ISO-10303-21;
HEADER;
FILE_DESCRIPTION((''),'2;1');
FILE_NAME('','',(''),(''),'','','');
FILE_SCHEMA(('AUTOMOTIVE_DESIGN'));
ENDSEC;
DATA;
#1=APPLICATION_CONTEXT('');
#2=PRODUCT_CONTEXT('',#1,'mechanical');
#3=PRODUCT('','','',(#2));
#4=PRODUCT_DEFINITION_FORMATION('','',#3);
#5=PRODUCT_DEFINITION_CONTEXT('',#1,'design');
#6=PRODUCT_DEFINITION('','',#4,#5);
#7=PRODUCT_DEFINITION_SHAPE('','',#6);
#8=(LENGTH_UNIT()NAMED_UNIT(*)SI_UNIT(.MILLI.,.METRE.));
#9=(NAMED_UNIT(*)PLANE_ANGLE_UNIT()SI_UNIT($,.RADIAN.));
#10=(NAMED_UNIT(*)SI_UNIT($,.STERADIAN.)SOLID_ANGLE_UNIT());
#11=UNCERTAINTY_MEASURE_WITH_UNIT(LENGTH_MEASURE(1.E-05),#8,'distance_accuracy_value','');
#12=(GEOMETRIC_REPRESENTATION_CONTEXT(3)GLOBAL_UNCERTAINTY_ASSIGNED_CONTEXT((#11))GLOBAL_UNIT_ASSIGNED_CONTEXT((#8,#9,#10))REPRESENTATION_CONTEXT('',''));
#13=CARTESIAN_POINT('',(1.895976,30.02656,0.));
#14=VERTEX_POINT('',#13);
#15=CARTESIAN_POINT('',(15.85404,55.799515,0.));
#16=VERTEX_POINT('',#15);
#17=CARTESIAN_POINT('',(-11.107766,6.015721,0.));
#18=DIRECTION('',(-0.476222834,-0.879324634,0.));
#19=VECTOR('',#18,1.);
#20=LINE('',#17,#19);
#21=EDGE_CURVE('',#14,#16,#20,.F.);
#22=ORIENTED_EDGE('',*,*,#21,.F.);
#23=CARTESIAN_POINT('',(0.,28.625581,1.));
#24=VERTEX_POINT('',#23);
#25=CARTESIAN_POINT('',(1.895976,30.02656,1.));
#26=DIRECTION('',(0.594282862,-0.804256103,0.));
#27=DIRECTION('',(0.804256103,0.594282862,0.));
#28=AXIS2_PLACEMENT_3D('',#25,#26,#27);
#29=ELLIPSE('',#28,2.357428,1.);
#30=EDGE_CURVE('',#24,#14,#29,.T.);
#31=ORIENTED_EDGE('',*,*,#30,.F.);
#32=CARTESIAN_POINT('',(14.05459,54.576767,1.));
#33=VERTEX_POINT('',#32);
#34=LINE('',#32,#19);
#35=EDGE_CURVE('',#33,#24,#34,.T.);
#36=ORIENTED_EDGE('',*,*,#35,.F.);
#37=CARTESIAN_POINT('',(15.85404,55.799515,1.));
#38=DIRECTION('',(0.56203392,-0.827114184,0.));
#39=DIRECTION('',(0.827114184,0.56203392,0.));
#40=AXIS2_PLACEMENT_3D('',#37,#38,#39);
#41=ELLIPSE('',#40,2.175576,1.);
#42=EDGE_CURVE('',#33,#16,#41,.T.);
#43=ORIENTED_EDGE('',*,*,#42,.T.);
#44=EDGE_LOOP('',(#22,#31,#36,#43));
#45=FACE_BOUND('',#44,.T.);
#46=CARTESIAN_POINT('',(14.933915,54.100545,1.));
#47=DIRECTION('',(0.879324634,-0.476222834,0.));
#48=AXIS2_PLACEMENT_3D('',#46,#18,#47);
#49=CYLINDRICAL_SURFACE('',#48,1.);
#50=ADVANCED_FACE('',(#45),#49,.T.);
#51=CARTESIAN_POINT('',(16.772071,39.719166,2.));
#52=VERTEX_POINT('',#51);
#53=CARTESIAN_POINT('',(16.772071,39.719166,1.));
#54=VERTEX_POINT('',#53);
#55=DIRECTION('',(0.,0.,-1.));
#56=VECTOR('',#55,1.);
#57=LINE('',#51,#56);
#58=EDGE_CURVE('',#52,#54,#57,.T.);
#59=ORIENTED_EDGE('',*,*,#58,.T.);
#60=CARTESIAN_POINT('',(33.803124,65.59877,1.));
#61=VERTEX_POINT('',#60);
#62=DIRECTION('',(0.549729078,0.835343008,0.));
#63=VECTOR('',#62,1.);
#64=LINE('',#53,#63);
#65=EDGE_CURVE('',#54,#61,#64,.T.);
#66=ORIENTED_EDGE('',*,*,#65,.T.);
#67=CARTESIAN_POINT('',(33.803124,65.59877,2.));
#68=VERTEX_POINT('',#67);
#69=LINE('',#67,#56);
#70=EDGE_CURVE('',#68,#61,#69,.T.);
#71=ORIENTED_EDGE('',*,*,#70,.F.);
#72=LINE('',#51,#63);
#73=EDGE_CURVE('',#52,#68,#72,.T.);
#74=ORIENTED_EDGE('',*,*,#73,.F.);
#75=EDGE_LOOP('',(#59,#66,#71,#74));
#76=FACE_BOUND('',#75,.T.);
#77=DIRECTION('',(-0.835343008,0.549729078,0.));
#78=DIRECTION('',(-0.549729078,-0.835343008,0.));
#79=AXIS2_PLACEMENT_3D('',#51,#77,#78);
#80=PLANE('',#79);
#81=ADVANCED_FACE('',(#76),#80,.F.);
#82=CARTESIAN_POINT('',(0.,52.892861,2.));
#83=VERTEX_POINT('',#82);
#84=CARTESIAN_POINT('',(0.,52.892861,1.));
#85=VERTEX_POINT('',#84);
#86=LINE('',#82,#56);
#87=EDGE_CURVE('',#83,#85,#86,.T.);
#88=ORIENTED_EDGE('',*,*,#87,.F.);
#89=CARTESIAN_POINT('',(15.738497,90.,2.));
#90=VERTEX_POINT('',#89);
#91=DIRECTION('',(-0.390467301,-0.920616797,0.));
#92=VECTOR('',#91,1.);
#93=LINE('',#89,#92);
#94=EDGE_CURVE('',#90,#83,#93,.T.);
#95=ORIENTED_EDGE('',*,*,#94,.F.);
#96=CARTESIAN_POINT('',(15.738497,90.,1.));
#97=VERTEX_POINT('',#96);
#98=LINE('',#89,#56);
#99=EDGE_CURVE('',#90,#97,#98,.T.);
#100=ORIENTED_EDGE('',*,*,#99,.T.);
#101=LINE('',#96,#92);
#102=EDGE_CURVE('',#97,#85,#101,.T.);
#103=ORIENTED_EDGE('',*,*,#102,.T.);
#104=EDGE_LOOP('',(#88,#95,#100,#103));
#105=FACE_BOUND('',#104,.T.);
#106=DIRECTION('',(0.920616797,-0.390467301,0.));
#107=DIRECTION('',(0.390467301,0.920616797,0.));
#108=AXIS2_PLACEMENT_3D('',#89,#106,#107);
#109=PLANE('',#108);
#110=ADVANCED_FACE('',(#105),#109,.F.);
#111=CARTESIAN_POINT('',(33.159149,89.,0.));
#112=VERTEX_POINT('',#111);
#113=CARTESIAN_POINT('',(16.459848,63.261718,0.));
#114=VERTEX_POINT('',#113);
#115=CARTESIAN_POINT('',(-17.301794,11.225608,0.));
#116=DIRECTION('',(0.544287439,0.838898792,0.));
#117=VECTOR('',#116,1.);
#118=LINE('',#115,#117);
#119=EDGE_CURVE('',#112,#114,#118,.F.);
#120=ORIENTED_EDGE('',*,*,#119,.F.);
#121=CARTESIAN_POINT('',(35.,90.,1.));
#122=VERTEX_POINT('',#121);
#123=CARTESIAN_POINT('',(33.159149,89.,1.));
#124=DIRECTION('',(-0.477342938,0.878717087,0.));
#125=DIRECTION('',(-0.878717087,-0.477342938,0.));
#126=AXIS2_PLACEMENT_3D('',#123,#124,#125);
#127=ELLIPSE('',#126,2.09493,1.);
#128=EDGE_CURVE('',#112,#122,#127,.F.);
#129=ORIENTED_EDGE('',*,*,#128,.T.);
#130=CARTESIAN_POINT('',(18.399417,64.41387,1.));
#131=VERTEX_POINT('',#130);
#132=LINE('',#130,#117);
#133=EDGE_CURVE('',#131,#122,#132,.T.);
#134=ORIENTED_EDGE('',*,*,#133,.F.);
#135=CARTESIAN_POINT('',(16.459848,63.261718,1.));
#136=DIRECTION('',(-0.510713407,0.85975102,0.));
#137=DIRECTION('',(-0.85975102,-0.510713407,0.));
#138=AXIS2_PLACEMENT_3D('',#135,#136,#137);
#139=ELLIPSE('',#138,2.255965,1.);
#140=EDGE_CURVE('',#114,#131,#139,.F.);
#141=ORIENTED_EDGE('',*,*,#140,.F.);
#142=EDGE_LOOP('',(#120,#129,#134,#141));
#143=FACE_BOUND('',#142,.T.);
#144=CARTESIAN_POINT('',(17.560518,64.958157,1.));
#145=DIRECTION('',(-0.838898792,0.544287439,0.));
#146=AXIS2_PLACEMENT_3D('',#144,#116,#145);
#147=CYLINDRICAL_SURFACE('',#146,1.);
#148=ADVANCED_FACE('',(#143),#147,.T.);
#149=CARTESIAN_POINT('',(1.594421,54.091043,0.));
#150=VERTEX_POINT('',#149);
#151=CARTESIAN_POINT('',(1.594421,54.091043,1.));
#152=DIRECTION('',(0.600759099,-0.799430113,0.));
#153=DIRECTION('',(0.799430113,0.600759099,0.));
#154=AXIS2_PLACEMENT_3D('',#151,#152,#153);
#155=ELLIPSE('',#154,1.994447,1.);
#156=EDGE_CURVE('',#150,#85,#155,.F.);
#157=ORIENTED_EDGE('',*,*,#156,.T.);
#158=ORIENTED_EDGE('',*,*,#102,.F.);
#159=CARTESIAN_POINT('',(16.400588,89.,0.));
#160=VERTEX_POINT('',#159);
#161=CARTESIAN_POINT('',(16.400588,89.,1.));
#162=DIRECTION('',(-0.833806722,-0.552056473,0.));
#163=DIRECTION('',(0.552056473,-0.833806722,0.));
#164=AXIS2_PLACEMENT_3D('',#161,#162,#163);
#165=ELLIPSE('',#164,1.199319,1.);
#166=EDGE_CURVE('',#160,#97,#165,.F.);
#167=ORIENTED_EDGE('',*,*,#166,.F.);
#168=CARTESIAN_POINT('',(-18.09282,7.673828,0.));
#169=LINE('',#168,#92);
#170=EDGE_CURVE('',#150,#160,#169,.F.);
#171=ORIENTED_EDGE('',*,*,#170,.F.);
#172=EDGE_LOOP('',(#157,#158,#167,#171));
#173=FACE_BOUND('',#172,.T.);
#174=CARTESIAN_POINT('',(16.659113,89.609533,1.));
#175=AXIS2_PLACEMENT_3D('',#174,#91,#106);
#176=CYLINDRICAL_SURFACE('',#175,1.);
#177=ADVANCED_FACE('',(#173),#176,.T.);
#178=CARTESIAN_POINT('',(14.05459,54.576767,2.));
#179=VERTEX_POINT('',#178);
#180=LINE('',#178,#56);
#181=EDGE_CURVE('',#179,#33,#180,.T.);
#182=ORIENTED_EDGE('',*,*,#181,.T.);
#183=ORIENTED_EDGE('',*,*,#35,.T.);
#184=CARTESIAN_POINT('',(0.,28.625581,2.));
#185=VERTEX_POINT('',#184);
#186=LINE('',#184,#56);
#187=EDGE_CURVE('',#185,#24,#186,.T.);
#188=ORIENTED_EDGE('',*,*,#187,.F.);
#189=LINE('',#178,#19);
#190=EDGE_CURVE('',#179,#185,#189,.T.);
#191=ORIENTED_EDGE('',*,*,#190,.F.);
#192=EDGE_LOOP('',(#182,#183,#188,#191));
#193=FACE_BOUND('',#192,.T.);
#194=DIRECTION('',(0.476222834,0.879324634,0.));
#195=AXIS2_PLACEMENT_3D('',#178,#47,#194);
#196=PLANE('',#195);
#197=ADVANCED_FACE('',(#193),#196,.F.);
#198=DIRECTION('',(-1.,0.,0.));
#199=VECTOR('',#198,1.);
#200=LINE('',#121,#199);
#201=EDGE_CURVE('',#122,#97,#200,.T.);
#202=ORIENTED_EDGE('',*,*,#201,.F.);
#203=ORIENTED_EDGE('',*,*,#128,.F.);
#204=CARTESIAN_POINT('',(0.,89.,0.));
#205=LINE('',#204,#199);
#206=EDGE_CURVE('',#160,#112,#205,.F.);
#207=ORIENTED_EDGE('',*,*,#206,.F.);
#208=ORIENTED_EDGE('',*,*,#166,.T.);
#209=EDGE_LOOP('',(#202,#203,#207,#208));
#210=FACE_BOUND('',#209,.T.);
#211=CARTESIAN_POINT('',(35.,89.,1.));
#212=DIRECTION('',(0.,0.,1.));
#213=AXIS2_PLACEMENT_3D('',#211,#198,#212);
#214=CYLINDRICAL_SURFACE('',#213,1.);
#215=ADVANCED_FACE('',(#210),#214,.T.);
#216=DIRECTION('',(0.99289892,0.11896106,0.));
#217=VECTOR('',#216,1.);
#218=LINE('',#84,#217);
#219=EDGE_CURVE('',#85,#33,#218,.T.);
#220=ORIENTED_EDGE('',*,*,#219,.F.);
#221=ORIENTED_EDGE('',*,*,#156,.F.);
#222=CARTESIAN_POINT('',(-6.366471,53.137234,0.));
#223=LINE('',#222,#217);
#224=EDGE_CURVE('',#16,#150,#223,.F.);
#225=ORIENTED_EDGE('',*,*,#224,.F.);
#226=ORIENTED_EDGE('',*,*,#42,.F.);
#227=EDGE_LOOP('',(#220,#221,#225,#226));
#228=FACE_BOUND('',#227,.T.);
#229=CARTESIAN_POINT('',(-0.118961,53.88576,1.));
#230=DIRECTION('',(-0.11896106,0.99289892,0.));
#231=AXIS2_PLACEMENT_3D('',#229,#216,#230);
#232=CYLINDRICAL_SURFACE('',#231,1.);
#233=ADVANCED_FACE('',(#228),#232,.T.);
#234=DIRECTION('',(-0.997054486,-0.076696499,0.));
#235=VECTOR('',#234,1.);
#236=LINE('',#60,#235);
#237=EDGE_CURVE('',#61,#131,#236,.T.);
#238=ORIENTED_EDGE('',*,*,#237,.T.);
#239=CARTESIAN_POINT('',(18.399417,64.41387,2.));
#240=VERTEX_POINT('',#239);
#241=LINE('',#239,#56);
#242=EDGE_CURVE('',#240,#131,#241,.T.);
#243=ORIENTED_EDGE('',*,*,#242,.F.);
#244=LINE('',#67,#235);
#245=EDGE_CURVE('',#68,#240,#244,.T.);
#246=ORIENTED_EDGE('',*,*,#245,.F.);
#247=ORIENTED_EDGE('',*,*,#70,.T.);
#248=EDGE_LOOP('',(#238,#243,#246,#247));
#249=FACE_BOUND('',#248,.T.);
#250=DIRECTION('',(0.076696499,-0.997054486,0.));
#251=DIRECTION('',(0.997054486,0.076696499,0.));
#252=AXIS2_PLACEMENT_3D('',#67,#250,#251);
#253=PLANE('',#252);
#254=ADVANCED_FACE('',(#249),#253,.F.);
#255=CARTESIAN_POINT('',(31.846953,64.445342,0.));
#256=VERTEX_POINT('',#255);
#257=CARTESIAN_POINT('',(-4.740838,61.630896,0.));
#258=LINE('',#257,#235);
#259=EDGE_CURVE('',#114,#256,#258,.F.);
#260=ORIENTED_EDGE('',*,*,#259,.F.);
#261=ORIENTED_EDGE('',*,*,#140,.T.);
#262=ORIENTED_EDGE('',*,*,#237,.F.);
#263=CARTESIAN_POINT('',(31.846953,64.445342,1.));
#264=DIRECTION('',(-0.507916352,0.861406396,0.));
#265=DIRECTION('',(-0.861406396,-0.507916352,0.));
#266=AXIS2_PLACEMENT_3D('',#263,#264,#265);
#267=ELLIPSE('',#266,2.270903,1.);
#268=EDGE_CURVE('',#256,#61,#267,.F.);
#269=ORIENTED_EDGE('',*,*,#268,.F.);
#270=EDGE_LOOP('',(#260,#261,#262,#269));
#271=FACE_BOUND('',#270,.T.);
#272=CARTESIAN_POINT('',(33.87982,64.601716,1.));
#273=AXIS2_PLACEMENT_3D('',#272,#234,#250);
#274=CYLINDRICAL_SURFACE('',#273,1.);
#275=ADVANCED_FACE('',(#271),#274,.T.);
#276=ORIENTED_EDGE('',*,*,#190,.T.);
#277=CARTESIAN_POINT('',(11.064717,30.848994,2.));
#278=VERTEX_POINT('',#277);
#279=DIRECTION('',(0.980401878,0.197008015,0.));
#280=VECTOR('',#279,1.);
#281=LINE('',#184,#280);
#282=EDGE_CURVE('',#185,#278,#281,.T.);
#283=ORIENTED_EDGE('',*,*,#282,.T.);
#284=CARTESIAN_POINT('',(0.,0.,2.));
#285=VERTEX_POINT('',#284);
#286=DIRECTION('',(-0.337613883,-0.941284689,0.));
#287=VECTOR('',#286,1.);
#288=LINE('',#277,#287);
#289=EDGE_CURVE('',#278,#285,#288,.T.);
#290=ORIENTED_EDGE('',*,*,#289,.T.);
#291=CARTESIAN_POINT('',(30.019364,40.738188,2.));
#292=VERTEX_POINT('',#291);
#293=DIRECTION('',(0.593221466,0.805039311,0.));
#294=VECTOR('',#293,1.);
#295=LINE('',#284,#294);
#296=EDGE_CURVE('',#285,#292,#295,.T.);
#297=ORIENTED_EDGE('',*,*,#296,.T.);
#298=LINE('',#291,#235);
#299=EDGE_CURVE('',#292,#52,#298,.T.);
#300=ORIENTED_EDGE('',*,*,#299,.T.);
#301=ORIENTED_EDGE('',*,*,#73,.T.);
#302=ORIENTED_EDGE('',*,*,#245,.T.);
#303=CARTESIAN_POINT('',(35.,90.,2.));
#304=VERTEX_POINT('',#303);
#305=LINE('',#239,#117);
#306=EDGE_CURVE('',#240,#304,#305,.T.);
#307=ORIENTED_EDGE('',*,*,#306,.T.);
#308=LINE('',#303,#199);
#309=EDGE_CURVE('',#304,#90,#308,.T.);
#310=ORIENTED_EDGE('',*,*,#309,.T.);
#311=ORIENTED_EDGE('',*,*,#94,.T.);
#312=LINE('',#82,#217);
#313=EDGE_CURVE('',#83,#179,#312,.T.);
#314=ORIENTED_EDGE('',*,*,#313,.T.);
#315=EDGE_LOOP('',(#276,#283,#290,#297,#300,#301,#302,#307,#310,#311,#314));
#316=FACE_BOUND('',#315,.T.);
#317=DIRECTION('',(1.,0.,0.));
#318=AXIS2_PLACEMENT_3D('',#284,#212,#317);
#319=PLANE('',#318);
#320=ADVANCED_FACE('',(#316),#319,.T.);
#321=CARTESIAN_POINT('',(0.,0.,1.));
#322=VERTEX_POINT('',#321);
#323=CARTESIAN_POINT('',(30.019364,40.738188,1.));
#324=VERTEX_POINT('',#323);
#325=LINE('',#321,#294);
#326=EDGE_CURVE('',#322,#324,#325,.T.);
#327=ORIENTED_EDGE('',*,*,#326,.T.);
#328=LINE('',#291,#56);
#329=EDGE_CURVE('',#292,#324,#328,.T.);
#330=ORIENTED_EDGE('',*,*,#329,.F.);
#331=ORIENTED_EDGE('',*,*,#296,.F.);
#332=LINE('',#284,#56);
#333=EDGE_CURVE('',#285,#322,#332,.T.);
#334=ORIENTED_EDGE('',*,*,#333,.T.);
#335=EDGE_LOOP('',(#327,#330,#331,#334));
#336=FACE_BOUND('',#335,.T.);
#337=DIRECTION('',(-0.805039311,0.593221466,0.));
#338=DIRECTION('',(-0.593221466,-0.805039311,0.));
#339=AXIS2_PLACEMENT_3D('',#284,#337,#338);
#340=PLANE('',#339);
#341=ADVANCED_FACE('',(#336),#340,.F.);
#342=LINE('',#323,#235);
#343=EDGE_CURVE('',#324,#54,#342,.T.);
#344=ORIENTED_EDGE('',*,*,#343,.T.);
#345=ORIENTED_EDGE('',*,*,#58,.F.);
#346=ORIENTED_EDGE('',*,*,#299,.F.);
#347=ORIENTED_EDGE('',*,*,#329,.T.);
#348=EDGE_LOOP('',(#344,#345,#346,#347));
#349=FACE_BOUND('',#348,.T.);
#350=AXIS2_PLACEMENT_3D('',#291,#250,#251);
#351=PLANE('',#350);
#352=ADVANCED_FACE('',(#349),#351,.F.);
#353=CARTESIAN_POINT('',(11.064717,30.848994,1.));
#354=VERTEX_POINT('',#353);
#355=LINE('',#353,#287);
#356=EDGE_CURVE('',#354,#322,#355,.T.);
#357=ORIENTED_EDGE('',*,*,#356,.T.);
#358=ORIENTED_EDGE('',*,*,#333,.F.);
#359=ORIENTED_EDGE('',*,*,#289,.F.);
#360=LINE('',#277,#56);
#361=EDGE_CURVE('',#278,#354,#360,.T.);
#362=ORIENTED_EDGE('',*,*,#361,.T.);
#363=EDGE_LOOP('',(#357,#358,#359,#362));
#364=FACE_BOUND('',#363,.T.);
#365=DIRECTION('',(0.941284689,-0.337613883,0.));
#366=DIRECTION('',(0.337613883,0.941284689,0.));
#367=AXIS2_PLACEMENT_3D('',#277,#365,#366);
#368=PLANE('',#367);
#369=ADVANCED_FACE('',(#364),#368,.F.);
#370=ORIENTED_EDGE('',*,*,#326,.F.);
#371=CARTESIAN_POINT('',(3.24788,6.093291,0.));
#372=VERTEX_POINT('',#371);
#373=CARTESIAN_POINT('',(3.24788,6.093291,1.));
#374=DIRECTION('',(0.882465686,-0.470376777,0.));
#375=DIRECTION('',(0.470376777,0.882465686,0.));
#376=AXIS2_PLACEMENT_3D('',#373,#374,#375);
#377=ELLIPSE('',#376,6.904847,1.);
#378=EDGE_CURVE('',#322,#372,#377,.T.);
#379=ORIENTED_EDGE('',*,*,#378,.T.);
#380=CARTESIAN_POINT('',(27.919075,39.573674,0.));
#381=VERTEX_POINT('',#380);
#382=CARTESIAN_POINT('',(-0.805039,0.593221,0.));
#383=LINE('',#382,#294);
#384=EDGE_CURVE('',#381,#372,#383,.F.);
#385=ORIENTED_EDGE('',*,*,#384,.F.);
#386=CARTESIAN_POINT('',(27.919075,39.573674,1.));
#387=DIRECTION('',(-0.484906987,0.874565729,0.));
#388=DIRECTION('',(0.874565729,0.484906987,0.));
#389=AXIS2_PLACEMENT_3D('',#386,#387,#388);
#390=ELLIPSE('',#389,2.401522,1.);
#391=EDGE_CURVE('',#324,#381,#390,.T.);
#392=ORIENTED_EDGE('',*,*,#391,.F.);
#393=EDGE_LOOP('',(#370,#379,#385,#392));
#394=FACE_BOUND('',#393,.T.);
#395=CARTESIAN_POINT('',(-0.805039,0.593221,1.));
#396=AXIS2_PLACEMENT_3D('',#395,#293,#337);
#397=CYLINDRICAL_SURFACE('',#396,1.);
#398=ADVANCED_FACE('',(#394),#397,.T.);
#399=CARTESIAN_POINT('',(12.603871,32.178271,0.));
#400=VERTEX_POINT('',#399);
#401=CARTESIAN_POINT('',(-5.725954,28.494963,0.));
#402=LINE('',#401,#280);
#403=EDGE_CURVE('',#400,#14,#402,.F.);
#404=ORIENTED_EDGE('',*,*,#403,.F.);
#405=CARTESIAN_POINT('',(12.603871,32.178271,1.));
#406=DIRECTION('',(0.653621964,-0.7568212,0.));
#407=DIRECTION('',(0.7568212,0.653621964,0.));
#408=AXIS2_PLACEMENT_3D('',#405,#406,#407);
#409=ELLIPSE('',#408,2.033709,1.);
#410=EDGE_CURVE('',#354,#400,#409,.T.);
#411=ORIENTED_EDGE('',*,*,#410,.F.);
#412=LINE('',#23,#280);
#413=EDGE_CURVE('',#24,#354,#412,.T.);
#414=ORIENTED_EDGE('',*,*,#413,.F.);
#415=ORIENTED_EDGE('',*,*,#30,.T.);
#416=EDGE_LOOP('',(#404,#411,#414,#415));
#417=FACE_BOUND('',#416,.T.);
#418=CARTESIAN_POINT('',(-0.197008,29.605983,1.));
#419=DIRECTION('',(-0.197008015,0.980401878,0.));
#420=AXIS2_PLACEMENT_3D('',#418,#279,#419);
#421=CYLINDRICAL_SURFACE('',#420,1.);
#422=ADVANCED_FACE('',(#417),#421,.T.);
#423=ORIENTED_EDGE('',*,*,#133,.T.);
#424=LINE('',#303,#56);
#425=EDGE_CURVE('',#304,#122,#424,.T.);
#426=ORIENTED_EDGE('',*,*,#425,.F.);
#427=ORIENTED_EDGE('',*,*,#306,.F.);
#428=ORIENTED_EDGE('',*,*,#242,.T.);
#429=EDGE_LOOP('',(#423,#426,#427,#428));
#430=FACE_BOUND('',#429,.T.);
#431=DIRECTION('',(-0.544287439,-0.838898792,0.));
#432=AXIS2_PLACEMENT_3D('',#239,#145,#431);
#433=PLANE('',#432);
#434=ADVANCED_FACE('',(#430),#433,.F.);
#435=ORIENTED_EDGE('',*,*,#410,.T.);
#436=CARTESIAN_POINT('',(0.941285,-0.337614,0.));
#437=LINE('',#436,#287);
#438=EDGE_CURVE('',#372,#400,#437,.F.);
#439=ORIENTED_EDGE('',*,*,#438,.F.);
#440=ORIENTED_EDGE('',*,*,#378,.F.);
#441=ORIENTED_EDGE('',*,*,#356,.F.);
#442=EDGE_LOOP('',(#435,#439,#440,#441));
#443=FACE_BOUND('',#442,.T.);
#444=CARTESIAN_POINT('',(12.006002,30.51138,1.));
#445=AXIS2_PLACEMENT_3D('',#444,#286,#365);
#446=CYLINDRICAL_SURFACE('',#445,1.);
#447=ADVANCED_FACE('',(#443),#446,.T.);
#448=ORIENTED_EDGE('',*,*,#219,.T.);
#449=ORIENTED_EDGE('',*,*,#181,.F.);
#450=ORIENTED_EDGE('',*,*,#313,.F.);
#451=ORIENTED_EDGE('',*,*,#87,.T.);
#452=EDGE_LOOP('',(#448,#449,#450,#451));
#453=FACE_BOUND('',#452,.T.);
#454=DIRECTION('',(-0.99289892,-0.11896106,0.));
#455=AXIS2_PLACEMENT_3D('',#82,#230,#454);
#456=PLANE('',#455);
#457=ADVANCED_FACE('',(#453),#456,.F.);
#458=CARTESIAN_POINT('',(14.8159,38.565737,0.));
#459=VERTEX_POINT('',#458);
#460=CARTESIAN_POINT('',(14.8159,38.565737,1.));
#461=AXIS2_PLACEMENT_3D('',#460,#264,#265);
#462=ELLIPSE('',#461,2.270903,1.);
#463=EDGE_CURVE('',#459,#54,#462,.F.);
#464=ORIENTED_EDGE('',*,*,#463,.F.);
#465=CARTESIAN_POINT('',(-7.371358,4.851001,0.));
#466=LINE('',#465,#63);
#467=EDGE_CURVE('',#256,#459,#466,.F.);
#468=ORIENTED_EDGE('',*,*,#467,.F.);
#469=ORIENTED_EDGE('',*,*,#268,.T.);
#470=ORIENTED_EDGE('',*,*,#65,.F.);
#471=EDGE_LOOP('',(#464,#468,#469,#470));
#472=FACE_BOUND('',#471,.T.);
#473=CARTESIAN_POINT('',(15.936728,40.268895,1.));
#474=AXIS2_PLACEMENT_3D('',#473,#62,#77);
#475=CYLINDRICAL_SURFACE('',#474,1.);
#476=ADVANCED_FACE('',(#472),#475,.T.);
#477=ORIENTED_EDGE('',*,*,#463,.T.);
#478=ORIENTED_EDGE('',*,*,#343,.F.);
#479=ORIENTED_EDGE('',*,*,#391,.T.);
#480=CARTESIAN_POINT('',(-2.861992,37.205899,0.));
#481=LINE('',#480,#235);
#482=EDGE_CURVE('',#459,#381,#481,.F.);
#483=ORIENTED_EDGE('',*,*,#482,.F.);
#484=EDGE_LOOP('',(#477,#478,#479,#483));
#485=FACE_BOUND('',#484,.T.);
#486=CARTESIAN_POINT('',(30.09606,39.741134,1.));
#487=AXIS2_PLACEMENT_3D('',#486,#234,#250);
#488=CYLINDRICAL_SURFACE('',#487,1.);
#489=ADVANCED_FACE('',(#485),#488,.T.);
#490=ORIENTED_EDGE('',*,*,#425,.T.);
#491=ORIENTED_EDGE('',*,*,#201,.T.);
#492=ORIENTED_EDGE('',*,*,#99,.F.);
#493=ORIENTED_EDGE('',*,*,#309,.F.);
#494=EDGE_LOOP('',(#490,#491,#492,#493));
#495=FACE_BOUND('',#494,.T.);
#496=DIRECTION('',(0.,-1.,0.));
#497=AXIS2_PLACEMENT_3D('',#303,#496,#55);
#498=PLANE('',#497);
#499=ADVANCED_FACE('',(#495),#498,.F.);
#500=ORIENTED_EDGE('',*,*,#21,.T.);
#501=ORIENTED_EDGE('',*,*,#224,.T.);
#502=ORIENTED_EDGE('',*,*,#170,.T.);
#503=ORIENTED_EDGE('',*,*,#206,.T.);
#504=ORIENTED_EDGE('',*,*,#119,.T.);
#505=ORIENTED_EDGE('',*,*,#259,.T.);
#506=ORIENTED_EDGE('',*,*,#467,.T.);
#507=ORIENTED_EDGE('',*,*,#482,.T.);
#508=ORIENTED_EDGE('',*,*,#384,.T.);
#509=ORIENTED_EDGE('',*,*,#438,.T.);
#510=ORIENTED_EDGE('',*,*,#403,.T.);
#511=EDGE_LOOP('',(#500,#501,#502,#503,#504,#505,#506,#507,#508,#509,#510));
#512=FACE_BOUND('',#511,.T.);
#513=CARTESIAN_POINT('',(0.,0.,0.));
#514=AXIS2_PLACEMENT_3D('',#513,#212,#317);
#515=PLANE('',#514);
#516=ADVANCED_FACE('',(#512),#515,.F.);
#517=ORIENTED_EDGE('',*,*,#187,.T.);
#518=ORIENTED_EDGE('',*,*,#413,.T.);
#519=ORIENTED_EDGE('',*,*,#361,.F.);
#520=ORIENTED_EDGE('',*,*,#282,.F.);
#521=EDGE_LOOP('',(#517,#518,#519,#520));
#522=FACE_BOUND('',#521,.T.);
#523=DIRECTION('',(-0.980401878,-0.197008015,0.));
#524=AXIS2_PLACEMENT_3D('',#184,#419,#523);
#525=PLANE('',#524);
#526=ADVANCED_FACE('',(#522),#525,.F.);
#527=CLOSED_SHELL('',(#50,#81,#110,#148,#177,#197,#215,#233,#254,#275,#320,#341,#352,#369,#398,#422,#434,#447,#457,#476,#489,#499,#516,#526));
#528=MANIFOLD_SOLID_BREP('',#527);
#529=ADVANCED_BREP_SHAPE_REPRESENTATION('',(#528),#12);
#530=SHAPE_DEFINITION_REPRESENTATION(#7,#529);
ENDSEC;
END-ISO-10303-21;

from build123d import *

# Parameters (mm, degrees)
DODANIE_WYCI_GNI_CIE1_DEPTH = 2
ZAOKR_GLENIE1_R             = 1


with BuildPart() as part:
    # Szkic1 → Dodanie-wyciągnięcie1 (new body)
    with BuildSketch(Plane.XY):
        Polygon((35, 90), (15.738496678, 90), (0, 52.892860976), (14.054590176, 54.576767478), (0, 28.625581399), (11.064716979, 30.848994041), (0, 0), (30.019363734, 40.738188486), (16.772070835, 39.719165955), (33.803123901, 65.598770402), (18.399416714, 64.413869849), align=None)
    extrude(amount=DODANIE_WYCI_GNI_CIE1_DEPTH)

    # Zaokrąglenie1
    zaokr_glenie1_edges = [part.edges().sort_by_distance(p)[0] for p in [
        (5.532358489, 15.424497021, 0),
        (5.532358489, 29.73728772, 0),
        (7.027295088, 41.601174439, 0),
        (7.027295088, 53.734814227, 0),
        (7.869248339, 71.446430488, 0),
        (25.369248339, 90, 0),
        (26.699708357, 77.206934925, 0),
        (26.101270307, 65.006320126, 0),
        (25.287597368, 52.658968179, 0),
        (23.395717284, 40.228677221, 0),
        (15.009681867, 20.369094243, 0),
    ]]
    fillet(zaokr_glenie1_edges, radius=ZAOKR_GLENIE1_R)


solid = part.part
